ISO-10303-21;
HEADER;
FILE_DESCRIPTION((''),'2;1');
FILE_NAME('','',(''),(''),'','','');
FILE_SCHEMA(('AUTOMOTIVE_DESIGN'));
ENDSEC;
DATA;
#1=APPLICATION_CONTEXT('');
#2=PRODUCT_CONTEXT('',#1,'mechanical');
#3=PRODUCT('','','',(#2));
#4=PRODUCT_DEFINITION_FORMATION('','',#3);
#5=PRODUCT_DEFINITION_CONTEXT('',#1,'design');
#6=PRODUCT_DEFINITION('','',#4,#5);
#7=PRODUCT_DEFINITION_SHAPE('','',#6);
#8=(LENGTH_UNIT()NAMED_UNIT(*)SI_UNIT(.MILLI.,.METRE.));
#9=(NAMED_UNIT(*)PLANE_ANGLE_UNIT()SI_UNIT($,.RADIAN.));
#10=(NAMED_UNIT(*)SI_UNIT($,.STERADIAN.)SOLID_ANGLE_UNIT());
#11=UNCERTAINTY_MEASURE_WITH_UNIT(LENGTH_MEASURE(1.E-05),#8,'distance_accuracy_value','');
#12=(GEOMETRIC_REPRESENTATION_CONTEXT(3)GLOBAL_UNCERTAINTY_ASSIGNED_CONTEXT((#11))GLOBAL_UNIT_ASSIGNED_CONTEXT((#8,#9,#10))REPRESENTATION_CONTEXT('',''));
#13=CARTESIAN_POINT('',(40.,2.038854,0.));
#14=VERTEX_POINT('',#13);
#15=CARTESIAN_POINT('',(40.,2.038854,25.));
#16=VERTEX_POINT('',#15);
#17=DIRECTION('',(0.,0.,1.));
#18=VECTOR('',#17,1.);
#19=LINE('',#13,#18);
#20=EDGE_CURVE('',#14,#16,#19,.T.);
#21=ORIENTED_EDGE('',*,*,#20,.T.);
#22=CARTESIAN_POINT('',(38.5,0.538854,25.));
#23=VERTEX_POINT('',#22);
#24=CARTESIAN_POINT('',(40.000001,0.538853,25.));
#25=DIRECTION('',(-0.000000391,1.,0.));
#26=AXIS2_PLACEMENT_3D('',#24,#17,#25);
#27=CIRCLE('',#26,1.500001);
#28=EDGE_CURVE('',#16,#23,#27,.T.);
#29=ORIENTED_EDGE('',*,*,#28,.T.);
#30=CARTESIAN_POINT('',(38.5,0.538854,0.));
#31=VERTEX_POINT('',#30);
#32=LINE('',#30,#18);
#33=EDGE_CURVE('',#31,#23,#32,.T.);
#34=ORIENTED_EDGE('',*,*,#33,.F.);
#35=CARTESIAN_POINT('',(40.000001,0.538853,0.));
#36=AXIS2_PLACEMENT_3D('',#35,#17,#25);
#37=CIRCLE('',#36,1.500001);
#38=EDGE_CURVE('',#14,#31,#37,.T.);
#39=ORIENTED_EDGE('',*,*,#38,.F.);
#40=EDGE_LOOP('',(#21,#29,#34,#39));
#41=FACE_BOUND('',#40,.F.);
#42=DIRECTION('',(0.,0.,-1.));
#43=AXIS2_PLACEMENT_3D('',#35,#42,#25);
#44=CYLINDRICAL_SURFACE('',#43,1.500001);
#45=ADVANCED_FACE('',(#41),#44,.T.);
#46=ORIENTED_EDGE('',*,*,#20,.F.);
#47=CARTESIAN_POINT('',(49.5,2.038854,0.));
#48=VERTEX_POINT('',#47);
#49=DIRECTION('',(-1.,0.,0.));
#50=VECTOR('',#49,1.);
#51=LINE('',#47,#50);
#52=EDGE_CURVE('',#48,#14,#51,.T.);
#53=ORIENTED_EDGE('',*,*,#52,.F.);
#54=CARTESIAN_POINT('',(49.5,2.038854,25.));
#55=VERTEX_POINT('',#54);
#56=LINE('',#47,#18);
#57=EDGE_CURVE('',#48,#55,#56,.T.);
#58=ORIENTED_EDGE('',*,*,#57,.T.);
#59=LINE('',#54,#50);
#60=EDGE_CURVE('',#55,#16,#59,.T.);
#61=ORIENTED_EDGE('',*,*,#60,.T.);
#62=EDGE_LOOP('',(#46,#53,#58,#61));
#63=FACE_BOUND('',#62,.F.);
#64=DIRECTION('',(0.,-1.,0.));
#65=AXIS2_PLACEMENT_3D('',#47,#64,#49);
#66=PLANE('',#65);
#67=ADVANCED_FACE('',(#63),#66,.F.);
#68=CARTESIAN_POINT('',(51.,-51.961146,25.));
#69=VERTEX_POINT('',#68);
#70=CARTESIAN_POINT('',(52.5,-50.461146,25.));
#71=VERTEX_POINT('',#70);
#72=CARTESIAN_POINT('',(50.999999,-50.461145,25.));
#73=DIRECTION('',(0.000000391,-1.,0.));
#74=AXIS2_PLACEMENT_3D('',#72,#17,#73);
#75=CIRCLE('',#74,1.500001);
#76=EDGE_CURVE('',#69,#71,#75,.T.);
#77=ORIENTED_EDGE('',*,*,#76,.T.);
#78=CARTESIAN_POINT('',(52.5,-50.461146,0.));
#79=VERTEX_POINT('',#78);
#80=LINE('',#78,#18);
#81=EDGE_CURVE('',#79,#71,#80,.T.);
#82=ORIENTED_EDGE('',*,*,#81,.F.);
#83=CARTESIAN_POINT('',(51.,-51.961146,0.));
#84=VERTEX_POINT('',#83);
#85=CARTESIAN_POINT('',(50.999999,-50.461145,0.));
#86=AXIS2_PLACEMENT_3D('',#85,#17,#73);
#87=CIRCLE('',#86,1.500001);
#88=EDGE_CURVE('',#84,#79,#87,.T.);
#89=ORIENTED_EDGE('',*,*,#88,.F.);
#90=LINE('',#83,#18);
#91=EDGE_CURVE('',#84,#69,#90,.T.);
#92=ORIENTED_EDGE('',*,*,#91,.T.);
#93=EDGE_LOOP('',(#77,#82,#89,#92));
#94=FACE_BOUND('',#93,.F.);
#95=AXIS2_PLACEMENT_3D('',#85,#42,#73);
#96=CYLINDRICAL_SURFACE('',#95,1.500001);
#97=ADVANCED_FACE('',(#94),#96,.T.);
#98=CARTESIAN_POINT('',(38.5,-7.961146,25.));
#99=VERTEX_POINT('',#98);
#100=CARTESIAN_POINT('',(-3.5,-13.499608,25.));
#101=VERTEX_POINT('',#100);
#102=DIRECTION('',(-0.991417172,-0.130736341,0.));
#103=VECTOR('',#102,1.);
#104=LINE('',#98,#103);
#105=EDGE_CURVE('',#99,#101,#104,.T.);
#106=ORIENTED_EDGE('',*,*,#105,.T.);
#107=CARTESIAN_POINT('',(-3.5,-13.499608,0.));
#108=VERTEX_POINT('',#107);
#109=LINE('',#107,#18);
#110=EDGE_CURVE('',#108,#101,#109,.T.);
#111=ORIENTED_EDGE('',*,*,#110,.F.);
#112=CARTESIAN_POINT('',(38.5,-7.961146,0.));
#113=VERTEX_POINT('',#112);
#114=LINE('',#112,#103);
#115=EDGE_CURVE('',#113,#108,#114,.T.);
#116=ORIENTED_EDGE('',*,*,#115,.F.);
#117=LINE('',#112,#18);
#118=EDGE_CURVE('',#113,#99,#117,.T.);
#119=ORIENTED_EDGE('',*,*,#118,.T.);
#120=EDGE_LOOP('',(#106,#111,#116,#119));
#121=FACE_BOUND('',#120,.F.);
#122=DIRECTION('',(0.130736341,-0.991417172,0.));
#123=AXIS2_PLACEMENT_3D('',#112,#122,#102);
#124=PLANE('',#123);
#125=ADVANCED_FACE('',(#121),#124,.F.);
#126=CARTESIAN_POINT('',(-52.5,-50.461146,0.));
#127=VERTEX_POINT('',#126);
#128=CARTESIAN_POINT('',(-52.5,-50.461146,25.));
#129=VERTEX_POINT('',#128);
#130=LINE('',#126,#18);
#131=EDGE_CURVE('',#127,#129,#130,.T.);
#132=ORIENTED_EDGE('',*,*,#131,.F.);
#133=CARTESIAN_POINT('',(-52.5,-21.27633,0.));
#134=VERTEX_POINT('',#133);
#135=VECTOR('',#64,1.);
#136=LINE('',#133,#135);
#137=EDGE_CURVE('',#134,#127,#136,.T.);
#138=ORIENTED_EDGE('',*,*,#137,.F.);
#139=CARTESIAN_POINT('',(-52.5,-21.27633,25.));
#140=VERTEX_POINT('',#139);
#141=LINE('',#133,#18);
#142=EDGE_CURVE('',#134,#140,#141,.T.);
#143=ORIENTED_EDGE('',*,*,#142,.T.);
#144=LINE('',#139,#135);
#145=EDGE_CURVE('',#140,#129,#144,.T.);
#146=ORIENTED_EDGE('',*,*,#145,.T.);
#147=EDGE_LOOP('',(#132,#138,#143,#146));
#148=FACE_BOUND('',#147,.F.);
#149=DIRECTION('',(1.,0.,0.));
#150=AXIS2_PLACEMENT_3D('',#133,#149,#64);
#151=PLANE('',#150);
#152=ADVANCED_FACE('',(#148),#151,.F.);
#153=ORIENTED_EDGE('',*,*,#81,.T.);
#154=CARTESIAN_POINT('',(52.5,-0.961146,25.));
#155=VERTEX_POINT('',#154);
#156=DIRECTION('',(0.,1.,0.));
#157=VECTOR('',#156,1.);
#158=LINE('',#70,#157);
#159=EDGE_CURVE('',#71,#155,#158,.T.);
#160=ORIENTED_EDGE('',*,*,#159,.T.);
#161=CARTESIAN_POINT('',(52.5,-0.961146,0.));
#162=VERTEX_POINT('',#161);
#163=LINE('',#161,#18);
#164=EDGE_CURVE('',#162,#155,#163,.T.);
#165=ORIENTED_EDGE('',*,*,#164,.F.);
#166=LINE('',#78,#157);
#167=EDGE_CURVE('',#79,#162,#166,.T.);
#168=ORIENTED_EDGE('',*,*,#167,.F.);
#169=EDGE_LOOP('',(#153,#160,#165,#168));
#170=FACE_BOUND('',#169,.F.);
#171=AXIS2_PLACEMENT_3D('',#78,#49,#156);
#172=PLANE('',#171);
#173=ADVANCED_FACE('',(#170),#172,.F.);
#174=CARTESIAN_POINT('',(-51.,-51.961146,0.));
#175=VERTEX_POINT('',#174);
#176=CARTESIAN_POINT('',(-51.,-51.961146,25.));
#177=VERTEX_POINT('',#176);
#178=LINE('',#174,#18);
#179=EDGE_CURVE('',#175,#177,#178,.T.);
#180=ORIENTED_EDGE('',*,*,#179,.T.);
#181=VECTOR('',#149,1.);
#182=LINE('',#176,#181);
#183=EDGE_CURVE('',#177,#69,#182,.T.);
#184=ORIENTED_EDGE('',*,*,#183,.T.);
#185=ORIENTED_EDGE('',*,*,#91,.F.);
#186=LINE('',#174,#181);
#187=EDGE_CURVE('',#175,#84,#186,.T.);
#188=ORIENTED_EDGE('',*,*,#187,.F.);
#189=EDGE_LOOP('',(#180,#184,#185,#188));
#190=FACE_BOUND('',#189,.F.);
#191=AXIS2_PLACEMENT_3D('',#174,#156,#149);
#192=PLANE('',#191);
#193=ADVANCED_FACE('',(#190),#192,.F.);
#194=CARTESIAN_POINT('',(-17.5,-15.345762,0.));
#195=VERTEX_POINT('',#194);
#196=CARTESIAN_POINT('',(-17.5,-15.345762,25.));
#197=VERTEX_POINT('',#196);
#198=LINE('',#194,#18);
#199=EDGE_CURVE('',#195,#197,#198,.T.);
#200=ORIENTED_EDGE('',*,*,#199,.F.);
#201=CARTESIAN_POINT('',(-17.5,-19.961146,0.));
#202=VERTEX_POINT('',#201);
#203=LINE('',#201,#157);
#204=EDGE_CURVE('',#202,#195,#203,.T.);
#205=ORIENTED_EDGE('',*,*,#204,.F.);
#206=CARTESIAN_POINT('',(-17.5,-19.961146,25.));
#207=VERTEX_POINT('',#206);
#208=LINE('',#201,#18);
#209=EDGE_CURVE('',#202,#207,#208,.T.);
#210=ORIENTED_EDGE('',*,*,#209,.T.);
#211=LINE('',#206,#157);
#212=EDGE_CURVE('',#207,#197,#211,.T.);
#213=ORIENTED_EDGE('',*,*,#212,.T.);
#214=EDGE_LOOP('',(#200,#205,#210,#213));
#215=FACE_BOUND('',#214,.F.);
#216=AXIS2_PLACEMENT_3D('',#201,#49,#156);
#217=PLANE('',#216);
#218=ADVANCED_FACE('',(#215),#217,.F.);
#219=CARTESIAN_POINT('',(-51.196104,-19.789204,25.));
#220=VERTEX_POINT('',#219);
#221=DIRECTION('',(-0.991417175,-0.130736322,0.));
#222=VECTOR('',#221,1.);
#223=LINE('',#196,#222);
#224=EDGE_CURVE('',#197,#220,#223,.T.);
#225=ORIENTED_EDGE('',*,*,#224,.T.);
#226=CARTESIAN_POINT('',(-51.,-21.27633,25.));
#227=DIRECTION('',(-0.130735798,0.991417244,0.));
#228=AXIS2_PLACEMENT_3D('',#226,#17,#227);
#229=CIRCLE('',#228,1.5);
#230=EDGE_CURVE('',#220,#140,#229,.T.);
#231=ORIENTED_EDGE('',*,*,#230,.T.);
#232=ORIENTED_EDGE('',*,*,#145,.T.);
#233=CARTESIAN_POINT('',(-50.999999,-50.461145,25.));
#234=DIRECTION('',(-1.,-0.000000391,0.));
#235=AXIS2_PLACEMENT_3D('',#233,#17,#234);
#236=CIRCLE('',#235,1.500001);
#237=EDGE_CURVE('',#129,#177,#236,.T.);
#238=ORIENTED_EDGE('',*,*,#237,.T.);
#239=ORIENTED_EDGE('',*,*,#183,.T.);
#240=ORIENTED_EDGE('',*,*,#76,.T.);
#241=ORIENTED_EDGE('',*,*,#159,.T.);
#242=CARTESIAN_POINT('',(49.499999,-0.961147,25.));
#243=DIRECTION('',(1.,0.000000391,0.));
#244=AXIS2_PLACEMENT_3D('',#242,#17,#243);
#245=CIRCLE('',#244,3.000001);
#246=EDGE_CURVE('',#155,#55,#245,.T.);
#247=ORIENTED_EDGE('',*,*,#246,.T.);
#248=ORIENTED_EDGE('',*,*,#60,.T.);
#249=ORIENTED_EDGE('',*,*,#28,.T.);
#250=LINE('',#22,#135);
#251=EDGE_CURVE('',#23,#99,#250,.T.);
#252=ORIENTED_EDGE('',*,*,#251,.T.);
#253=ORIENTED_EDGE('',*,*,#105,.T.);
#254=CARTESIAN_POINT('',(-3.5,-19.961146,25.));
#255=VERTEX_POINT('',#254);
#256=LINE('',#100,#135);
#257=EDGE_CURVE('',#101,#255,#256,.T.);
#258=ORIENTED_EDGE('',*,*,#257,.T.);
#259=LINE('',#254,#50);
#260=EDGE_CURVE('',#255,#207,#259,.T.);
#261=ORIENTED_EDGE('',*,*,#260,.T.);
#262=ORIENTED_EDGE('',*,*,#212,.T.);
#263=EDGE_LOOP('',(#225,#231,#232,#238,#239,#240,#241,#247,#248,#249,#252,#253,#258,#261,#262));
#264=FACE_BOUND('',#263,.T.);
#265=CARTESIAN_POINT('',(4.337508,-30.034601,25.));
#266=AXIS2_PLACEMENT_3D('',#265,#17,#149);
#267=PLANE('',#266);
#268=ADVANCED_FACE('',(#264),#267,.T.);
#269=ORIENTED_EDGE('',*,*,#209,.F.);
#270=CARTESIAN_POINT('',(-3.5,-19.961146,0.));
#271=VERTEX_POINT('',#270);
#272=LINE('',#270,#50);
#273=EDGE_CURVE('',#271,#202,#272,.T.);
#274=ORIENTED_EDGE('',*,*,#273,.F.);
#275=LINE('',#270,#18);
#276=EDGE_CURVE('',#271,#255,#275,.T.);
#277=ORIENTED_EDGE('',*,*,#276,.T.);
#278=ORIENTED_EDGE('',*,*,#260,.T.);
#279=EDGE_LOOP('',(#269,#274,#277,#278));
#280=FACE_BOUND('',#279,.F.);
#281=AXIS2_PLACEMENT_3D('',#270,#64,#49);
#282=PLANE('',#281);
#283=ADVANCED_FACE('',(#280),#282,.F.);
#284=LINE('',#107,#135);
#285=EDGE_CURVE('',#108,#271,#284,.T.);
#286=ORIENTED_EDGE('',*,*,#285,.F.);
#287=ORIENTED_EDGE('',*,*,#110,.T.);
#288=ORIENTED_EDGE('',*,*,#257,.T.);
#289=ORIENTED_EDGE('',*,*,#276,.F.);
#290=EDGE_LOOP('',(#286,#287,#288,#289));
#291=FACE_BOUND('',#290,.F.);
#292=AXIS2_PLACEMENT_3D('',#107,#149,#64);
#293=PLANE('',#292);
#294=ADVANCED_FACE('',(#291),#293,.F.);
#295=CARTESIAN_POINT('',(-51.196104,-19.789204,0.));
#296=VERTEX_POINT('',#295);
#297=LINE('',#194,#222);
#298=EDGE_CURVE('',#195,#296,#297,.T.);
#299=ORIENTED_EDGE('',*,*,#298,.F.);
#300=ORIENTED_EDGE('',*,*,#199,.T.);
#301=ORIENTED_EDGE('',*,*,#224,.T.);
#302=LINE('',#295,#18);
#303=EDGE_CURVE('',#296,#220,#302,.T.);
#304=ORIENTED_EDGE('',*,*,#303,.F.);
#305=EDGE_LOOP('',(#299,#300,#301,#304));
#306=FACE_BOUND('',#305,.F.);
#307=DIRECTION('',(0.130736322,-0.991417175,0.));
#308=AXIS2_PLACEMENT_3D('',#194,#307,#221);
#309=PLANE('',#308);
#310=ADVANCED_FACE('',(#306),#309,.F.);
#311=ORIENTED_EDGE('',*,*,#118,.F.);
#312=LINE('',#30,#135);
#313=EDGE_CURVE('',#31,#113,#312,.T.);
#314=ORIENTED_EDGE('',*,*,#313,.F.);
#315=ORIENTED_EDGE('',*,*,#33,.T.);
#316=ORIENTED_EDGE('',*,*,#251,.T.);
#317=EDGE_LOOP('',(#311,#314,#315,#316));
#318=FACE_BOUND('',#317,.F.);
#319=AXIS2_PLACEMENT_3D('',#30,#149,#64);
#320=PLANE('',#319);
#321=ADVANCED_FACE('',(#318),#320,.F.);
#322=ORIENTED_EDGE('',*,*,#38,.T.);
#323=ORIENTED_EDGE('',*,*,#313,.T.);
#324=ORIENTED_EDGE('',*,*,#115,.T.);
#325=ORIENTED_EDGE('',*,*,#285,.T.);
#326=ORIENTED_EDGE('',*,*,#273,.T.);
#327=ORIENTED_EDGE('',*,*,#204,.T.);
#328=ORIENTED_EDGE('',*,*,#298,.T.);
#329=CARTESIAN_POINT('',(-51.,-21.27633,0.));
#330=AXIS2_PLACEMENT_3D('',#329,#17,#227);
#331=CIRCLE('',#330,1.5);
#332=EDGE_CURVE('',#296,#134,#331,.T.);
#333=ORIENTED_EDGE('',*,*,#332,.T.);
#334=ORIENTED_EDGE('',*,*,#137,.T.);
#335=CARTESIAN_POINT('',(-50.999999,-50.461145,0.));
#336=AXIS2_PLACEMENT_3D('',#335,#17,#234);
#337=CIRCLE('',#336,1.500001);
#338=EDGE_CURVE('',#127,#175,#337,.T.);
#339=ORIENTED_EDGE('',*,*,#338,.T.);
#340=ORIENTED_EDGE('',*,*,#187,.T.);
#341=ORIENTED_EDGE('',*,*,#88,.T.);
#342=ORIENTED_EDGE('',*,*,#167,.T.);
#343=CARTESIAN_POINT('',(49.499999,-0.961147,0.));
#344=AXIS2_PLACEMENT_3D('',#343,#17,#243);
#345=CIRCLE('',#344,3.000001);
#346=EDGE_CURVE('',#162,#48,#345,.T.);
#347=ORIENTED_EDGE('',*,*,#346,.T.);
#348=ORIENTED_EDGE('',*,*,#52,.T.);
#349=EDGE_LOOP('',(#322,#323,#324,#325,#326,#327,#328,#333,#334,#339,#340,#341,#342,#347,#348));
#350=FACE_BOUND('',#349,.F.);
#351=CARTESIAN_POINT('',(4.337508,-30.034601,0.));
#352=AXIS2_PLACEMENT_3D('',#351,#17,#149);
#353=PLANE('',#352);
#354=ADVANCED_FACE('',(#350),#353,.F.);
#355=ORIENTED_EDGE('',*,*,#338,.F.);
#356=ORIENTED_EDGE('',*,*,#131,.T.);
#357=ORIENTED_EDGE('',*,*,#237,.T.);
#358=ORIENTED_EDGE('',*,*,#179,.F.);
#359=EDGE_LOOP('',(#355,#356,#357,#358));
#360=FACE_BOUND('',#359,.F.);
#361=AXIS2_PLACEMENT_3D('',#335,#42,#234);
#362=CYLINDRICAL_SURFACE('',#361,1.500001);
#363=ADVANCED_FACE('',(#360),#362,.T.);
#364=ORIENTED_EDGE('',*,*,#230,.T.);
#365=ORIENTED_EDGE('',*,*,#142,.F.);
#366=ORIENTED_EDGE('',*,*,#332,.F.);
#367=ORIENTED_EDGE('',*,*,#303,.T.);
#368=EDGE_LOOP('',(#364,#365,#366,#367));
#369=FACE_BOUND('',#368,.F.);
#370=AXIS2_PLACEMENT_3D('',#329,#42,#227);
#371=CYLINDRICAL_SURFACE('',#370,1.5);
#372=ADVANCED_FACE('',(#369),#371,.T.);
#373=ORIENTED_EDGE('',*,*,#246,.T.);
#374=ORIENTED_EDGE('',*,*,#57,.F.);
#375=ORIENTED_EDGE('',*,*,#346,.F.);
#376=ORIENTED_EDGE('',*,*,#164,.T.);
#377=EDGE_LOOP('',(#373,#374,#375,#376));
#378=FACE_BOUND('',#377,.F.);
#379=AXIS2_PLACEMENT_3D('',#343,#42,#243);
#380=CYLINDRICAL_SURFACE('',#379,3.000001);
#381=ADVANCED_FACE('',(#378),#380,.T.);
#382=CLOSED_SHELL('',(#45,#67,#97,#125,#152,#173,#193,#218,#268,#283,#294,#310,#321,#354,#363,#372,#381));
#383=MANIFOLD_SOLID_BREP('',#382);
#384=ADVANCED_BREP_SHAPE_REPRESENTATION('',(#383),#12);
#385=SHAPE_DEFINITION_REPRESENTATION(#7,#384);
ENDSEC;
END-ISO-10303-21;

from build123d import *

# Parameters (mm, degrees)
F1_DEPTH = 25


with BuildPart() as f1:
    # F0 (on Top) → F1 (new body)
    with BuildSketch(Plane.XY):
        with BuildLine():
            ThreePointArc((-52.5, -50.461146), (-52.06066, -51.521806), (-51, -51.961146))
            Line((-51, -51.961146), (51, -51.961146))
            ThreePointArc((51, -51.961146), (52.06066, -51.521806), (52.5, -50.461146))
            Line((52.5, -50.461146), (52.5, -0.961146))
            ThreePointArc((52.5, -0.961146), (51.62132, 1.160174), (49.5, 2.038854))
            Line((49.5, 2.038854), (40, 2.038854))
            ThreePointArc((40, 2.038854), (38.93934, 1.599514), (38.5, 0.538854))
            Line((38.5, 0.538854), (38.5, -7.961146))
            Line((38.5, -7.961146), (-3.5, -13.499608))
            Line((-3.5, -13.499608), (-3.5, -19.961146))
            Line((-3.5, -19.961146), (-17.5, -19.961146))
            Line((-17.5, -19.961146), (-17.5, -15.345762))
            Line((-17.5, -15.345762), (-51.196104, -19.789204))
            ThreePointArc((-51.196104, -19.789204), (-52.127865, -20.287431), (-52.5, -21.27633))
            Line((-52.5, -21.27633), (-52.5, -50.461146))
        make_face()
    extrude(amount=F1_DEPTH)


solid = f1.part
